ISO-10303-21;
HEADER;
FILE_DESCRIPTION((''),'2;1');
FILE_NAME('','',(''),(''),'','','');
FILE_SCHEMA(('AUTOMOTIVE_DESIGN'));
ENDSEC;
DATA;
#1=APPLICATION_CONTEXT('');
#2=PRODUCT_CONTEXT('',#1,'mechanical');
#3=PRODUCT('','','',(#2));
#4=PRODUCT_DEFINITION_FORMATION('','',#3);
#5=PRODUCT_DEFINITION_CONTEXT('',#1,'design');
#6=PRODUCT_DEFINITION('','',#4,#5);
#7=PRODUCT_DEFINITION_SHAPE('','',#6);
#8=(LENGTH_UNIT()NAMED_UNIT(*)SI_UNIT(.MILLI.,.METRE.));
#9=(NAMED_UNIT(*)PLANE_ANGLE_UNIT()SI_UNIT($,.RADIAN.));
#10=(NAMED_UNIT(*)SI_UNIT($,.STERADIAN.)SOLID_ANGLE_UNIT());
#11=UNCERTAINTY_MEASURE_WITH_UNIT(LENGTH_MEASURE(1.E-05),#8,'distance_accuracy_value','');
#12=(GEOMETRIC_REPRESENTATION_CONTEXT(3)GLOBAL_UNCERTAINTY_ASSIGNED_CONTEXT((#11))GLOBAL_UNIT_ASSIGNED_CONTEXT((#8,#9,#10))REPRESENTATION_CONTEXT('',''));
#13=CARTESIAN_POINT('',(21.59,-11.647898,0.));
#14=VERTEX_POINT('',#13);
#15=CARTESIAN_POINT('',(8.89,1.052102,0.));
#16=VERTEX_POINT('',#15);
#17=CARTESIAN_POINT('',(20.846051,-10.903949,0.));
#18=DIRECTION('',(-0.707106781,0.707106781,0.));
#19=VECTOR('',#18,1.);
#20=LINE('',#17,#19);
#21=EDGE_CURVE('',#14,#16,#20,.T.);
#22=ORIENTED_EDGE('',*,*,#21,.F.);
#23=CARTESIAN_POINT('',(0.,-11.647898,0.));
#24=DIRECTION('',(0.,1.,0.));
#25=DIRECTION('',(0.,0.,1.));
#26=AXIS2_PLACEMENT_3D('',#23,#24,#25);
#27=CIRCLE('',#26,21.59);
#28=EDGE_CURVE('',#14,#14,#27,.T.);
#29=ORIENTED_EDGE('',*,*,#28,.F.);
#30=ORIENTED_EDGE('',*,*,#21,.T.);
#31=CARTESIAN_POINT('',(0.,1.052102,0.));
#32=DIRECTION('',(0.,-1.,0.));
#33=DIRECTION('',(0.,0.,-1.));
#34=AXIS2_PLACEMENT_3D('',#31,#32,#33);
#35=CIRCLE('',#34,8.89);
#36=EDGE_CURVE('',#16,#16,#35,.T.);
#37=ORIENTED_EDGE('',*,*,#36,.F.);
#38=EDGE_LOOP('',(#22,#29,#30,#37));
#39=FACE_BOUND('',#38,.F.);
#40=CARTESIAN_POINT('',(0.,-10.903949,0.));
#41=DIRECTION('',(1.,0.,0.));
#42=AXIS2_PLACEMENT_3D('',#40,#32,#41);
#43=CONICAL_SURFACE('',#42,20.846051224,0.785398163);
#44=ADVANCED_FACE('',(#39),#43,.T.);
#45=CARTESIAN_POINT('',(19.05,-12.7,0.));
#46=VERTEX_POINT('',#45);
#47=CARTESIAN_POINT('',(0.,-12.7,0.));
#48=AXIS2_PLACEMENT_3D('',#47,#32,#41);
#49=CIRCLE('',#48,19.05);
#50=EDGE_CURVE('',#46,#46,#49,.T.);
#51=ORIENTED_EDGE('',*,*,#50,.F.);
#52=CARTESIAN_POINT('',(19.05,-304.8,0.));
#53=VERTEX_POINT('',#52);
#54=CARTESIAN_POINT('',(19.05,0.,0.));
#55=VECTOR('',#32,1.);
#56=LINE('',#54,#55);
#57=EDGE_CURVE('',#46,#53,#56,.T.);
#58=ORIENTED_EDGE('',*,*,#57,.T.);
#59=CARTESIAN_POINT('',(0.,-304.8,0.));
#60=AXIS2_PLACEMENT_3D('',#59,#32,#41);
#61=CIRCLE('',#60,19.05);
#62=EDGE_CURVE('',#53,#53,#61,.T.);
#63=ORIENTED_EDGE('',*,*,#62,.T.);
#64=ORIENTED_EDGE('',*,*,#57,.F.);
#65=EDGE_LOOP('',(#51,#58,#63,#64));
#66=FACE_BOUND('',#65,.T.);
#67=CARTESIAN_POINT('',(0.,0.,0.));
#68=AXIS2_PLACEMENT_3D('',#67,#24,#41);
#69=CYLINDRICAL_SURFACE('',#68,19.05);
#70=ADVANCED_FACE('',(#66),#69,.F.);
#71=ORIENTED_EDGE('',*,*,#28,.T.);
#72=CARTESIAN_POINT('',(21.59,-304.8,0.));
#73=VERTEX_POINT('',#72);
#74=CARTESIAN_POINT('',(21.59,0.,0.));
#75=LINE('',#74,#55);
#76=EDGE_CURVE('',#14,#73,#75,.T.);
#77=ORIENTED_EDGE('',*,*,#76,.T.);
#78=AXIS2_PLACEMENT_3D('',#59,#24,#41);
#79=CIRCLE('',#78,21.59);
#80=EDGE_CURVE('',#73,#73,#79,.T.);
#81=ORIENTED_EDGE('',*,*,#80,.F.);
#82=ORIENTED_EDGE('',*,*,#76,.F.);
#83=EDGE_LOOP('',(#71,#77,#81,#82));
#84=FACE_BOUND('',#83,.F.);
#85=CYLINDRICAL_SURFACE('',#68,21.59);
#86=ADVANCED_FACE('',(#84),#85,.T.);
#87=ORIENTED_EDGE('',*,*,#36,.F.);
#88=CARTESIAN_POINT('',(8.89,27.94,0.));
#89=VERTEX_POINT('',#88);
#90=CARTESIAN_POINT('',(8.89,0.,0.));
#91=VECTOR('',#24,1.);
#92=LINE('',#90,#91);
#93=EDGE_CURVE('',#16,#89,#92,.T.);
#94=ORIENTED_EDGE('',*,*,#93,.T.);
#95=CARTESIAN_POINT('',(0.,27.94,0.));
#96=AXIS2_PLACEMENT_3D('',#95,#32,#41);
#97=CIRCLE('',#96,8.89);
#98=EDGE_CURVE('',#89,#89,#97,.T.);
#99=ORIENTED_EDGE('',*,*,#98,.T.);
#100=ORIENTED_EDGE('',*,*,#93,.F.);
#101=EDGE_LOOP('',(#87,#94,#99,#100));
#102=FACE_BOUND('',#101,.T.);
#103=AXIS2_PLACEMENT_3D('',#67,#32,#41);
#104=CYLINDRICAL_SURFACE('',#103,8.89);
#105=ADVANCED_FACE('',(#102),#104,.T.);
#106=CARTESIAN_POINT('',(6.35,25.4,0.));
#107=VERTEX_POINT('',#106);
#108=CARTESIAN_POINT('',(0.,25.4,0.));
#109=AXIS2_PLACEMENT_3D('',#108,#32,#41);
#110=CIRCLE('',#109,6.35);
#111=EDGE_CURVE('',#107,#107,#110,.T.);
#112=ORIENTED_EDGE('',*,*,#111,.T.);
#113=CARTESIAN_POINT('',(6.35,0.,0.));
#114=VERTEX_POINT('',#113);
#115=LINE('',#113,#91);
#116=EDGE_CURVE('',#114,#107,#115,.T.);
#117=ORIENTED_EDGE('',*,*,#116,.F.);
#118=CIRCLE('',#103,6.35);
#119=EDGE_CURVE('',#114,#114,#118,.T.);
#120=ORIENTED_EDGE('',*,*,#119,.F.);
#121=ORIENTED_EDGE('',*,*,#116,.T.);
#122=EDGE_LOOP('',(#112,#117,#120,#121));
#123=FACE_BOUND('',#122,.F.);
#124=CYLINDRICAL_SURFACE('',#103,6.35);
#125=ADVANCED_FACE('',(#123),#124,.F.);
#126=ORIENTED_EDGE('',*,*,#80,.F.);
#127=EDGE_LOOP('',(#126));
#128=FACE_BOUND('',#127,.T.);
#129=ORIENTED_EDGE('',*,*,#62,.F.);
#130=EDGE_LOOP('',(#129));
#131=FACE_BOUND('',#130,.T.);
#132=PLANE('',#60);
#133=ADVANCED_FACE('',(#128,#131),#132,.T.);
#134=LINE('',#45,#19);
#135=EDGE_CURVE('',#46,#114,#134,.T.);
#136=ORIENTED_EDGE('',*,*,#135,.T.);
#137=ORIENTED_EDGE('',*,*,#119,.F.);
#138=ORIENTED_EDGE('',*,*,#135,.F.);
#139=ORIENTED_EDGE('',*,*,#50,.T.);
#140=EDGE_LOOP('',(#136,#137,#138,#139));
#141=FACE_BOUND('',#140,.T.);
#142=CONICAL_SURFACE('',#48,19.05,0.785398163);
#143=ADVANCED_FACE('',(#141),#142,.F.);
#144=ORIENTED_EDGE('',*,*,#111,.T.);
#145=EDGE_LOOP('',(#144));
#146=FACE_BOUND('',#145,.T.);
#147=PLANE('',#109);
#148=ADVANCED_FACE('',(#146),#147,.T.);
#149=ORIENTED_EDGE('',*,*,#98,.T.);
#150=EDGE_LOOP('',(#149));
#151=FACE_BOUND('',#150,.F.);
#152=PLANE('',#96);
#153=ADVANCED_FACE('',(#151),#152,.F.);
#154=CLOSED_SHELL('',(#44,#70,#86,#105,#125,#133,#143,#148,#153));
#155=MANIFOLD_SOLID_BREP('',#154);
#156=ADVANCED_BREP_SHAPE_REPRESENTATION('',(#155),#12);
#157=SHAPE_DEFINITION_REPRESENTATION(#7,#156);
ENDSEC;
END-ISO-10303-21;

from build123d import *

# Parameters (mm, degrees)
F0_R     = 19.05
F1_DEPTH = 304.8
F3_SIZE  = 12.7
F4_DEPTH = 25.4
F5_T     = 2.54
F6_W     = 31.75
F6_H     = 19.05
F7_DEPTH = 5.08
F8_R     = 9.7478523701
F9_DEPTH = 25.4


with BuildPart() as f1:
    # F0 (on Front) → F1 (new body)
    with BuildSketch(Plane.XZ):
        Circle(F0_R)
    extrude(amount=F1_DEPTH)

    # F3
    f3_edges = [f1.edges().sort_by_distance(p)[0] for p in [
        (-19.05, 0, 0),
    ]]
    chamfer(f3_edges, length=F3_SIZE)

    # F4 (add): a face of the model
    f4_faces = [f1.faces().sort_by_distance(p)[0] for p in [
        (0, 0, 0),
    ]]
    extrude(f4_faces, amount=F4_DEPTH)

    # F5
    f5_openings = [f1.faces().sort_by_distance(p)[0] for p in [
        (0, -304.8, 0),
    ]]
    offset(amount=F5_T, openings=f5_openings, kind=Kind.INTERSECTION)


with BuildPart() as f7:
    # F6 (on face) → F7 (new body)
    with BuildSketch(Plane.XZ.offset(304.8)):
        Rectangle(F6_W, F6_H)
    extrude(amount=F7_DEPTH)


with BuildPart() as f9:
    # F8 (on face) → F9 (new body)
    with BuildSketch(Plane.XZ.offset(309.88)):
        Circle(F8_R)
    extrude(amount=-F9_DEPTH)


solid = f1.part
